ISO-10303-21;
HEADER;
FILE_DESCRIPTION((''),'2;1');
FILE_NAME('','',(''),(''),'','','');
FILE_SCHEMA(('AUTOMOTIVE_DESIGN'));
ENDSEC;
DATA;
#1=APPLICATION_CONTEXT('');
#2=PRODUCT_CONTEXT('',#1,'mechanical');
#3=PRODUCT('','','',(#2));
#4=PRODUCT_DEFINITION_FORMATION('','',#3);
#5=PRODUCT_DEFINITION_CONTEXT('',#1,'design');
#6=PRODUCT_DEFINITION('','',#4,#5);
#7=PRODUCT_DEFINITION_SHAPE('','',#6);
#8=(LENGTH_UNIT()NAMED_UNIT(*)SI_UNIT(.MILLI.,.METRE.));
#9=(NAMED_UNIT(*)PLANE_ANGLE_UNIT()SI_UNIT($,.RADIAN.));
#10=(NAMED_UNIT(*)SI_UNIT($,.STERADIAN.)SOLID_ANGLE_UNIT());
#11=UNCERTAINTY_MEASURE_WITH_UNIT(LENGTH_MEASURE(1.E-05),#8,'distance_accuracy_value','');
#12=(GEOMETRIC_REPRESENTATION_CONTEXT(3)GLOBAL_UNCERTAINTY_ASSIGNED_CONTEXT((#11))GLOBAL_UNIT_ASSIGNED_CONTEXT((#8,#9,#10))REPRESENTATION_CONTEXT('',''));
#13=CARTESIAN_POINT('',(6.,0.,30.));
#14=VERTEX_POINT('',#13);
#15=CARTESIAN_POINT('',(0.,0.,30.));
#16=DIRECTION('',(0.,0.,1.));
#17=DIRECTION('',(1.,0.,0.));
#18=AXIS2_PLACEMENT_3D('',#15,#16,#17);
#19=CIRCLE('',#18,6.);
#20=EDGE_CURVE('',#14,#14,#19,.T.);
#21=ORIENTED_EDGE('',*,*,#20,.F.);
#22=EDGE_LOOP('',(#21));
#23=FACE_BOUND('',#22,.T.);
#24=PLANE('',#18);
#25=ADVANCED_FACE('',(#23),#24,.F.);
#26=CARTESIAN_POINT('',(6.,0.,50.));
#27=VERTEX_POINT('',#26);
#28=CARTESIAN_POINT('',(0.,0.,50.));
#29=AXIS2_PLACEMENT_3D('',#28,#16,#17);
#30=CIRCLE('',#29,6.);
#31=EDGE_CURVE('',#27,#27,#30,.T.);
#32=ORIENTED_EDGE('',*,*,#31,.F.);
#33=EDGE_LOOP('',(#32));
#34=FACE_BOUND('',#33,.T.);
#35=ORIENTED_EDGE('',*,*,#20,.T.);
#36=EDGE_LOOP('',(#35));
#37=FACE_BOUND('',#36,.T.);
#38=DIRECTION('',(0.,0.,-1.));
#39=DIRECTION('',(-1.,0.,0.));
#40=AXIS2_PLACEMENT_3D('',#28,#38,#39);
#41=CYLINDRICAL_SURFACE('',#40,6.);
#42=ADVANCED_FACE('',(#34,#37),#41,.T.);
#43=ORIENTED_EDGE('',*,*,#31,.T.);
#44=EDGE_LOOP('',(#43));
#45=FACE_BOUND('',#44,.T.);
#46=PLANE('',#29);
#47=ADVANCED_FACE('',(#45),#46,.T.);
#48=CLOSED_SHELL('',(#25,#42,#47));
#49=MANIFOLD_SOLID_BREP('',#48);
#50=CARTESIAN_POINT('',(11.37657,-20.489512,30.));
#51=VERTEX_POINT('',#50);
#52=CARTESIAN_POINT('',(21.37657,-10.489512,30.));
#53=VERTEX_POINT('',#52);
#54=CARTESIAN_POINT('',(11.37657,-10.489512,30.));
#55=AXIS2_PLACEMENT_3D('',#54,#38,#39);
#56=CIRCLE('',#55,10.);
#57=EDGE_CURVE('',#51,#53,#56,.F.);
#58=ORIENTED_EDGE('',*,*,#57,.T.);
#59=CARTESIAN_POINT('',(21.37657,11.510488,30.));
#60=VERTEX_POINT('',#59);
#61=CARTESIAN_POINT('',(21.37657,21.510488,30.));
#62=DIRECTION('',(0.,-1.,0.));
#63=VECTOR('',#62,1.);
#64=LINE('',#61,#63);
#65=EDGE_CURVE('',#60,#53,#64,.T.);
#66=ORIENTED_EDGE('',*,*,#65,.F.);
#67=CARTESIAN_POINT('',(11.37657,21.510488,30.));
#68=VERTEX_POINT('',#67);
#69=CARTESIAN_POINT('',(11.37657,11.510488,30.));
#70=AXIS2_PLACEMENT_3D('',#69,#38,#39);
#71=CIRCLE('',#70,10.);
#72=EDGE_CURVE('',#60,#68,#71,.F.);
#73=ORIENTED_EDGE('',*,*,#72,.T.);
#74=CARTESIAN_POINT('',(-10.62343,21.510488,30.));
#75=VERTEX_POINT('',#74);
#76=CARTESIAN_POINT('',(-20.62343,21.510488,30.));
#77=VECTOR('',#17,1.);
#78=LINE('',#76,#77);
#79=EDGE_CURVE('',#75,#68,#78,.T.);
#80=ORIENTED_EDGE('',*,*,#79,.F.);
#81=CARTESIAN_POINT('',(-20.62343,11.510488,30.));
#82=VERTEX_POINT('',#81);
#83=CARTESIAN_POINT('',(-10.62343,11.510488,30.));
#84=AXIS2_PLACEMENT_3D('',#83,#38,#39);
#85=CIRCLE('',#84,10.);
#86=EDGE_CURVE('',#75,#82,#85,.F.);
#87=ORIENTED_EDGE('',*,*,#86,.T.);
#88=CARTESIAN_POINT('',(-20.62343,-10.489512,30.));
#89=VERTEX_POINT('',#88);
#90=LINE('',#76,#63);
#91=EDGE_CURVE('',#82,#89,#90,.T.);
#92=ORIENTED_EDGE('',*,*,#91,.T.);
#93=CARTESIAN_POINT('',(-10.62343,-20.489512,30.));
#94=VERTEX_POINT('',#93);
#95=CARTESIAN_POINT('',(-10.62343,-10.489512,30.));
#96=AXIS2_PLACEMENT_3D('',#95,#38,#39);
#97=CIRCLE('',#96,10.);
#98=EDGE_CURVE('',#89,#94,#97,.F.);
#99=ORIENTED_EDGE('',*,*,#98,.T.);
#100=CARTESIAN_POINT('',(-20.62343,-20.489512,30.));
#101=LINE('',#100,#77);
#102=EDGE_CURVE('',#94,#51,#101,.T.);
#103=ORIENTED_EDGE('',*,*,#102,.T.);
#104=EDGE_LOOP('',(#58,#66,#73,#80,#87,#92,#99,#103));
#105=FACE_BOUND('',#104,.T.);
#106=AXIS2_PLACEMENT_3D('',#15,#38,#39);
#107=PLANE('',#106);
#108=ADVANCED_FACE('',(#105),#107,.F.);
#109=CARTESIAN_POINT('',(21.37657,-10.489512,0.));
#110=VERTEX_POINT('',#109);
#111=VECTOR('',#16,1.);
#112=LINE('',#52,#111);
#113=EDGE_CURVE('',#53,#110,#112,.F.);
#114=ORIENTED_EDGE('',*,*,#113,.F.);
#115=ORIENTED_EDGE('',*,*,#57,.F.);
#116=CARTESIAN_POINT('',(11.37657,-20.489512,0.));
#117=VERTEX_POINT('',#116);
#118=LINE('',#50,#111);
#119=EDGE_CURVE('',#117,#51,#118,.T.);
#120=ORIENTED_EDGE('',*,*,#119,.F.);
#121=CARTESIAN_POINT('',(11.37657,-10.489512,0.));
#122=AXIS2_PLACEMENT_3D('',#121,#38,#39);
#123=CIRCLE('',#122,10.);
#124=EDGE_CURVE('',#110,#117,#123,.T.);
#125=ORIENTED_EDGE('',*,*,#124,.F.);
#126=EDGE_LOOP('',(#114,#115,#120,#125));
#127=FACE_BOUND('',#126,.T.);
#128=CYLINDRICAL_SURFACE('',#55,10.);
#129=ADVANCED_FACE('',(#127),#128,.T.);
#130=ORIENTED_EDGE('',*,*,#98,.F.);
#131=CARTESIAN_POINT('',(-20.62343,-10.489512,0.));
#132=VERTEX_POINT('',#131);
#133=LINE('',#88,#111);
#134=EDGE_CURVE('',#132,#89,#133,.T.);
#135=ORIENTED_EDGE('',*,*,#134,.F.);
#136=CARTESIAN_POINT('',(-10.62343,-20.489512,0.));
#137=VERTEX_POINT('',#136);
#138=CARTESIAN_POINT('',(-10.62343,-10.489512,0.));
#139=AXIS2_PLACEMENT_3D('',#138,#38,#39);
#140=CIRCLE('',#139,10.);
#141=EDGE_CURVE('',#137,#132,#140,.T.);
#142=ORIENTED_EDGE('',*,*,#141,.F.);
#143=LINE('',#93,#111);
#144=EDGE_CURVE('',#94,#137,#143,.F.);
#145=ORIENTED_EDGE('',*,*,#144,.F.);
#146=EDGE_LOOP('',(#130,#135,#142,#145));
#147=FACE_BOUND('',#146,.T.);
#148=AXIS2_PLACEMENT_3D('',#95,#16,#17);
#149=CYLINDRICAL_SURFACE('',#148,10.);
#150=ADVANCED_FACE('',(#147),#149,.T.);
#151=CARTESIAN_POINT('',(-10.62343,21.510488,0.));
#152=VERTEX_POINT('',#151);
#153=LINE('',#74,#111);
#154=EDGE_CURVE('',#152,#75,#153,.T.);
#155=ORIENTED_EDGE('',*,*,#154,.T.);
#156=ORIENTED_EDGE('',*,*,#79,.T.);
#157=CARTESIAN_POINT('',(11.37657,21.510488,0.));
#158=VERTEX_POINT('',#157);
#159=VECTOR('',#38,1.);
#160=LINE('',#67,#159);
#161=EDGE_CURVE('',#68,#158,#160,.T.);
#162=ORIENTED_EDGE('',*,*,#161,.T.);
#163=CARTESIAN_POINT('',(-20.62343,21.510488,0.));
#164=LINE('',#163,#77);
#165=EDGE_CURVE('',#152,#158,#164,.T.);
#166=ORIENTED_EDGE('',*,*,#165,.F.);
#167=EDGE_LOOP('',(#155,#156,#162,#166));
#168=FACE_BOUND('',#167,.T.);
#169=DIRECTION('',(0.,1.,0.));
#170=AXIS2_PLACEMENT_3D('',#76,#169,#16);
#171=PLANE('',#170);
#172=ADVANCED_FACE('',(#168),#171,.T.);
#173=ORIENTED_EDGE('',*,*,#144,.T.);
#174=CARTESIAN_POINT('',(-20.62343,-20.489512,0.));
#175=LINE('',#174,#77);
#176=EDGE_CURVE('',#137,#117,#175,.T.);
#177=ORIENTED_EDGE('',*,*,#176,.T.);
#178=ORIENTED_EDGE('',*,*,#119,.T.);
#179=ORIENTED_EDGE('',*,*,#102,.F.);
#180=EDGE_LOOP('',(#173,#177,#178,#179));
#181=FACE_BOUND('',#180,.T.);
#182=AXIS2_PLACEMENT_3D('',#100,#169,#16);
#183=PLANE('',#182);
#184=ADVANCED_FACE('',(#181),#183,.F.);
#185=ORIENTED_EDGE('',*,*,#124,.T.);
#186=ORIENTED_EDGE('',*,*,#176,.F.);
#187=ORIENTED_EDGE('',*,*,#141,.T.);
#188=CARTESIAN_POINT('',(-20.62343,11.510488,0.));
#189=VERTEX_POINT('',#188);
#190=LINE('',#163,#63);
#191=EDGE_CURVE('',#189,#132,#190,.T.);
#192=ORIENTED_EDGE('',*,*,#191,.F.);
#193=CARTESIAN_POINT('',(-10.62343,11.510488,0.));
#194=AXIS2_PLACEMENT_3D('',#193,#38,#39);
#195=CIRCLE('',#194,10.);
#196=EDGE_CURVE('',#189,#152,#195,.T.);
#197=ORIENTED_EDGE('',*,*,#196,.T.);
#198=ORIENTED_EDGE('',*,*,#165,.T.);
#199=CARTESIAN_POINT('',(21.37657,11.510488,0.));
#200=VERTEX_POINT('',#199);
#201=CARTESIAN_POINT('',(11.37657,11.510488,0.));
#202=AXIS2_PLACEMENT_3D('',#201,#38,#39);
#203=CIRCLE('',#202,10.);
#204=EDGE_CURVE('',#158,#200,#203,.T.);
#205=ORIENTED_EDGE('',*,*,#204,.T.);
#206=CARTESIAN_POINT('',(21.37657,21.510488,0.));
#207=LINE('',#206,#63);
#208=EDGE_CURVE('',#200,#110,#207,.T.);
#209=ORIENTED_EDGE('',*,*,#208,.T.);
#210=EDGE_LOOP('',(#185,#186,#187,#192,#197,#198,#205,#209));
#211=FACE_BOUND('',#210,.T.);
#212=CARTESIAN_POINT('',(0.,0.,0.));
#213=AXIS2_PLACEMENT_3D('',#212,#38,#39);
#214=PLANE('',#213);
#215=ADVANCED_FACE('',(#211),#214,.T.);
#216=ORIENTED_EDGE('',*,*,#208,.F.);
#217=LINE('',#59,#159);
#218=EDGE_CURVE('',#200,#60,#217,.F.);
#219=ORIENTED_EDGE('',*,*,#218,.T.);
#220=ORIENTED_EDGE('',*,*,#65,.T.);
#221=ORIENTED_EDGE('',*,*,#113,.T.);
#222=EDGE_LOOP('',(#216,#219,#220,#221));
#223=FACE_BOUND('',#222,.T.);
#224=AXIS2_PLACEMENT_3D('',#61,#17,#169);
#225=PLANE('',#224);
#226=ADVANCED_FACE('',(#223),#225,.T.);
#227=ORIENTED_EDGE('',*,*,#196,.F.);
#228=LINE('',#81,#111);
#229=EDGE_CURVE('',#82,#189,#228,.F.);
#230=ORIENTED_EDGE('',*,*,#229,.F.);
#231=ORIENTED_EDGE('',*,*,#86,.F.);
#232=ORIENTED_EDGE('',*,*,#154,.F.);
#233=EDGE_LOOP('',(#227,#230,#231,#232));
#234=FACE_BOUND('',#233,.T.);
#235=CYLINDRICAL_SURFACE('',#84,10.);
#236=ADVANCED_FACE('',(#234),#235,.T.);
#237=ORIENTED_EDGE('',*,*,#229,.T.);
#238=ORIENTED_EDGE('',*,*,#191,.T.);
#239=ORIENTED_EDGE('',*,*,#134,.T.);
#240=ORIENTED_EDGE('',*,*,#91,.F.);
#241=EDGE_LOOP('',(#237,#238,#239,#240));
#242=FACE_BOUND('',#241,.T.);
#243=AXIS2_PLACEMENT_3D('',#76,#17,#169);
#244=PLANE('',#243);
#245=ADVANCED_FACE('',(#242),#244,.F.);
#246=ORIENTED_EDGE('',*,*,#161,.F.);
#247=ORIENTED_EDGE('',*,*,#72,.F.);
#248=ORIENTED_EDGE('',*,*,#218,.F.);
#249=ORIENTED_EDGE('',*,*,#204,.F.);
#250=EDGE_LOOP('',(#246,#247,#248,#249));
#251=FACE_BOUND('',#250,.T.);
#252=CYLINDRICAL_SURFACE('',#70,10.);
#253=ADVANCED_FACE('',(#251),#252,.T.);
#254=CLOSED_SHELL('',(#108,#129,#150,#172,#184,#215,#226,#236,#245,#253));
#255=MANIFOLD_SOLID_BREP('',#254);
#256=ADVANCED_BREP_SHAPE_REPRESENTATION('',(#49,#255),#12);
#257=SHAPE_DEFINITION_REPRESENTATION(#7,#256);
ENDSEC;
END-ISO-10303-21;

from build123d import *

# Parameters (mm, degrees)
SKETCH_1_W      = 42
SKETCH_1_H      = 42
EXTRUDE_1_DEPTH = 30
SKETCH_2_R      = 6
EXTRUDE_2_DEPTH = 20
FILLET_2_R      = 10
FILLET_3_R      = 10
FILLET_4_R      = 10
FILLET_5_R      = 10


with BuildPart() as part:
    # 草图1 → 凸台-拉伸1 (new body)
    with BuildSketch(Plane.XY):
        with Locations((0.376569841, 0.510488218)):
            Rectangle(SKETCH_1_W, SKETCH_1_H)
    extrude(amount=EXTRUDE_1_DEPTH)

    # 圆角2
    fillet_2_edges = [part.edges().sort_by_distance(p)[0] for p in [
        (21.376569841, 21.510488218, 15),
    ]]
    fillet(fillet_2_edges, radius=FILLET_2_R)

    # 圆角3
    fillet_3_edges = [part.edges().sort_by_distance(p)[0] for p in [
        (-20.623430159, 21.510488218, 15),
    ]]
    fillet(fillet_3_edges, radius=FILLET_3_R)

    # 圆角4
    fillet_4_edges = [part.edges().sort_by_distance(p)[0] for p in [
        (-20.623430159, -20.489511782, 15),
    ]]
    fillet(fillet_4_edges, radius=FILLET_4_R)

    # 圆角5
    fillet_5_edges = [part.edges().sort_by_distance(p)[0] for p in [
        (21.376569841, -20.489511782, 15),
    ]]
    fillet(fillet_5_edges, radius=FILLET_5_R)


with BuildPart() as body_2:
    # 草图2 → 凸台-拉伸2 (new body)
    with BuildSketch(Plane.XY.offset(30)):
        Circle(SKETCH_2_R)
    extrude(amount=EXTRUDE_2_DEPTH)


solid = Compound([part.part, body_2.part])
